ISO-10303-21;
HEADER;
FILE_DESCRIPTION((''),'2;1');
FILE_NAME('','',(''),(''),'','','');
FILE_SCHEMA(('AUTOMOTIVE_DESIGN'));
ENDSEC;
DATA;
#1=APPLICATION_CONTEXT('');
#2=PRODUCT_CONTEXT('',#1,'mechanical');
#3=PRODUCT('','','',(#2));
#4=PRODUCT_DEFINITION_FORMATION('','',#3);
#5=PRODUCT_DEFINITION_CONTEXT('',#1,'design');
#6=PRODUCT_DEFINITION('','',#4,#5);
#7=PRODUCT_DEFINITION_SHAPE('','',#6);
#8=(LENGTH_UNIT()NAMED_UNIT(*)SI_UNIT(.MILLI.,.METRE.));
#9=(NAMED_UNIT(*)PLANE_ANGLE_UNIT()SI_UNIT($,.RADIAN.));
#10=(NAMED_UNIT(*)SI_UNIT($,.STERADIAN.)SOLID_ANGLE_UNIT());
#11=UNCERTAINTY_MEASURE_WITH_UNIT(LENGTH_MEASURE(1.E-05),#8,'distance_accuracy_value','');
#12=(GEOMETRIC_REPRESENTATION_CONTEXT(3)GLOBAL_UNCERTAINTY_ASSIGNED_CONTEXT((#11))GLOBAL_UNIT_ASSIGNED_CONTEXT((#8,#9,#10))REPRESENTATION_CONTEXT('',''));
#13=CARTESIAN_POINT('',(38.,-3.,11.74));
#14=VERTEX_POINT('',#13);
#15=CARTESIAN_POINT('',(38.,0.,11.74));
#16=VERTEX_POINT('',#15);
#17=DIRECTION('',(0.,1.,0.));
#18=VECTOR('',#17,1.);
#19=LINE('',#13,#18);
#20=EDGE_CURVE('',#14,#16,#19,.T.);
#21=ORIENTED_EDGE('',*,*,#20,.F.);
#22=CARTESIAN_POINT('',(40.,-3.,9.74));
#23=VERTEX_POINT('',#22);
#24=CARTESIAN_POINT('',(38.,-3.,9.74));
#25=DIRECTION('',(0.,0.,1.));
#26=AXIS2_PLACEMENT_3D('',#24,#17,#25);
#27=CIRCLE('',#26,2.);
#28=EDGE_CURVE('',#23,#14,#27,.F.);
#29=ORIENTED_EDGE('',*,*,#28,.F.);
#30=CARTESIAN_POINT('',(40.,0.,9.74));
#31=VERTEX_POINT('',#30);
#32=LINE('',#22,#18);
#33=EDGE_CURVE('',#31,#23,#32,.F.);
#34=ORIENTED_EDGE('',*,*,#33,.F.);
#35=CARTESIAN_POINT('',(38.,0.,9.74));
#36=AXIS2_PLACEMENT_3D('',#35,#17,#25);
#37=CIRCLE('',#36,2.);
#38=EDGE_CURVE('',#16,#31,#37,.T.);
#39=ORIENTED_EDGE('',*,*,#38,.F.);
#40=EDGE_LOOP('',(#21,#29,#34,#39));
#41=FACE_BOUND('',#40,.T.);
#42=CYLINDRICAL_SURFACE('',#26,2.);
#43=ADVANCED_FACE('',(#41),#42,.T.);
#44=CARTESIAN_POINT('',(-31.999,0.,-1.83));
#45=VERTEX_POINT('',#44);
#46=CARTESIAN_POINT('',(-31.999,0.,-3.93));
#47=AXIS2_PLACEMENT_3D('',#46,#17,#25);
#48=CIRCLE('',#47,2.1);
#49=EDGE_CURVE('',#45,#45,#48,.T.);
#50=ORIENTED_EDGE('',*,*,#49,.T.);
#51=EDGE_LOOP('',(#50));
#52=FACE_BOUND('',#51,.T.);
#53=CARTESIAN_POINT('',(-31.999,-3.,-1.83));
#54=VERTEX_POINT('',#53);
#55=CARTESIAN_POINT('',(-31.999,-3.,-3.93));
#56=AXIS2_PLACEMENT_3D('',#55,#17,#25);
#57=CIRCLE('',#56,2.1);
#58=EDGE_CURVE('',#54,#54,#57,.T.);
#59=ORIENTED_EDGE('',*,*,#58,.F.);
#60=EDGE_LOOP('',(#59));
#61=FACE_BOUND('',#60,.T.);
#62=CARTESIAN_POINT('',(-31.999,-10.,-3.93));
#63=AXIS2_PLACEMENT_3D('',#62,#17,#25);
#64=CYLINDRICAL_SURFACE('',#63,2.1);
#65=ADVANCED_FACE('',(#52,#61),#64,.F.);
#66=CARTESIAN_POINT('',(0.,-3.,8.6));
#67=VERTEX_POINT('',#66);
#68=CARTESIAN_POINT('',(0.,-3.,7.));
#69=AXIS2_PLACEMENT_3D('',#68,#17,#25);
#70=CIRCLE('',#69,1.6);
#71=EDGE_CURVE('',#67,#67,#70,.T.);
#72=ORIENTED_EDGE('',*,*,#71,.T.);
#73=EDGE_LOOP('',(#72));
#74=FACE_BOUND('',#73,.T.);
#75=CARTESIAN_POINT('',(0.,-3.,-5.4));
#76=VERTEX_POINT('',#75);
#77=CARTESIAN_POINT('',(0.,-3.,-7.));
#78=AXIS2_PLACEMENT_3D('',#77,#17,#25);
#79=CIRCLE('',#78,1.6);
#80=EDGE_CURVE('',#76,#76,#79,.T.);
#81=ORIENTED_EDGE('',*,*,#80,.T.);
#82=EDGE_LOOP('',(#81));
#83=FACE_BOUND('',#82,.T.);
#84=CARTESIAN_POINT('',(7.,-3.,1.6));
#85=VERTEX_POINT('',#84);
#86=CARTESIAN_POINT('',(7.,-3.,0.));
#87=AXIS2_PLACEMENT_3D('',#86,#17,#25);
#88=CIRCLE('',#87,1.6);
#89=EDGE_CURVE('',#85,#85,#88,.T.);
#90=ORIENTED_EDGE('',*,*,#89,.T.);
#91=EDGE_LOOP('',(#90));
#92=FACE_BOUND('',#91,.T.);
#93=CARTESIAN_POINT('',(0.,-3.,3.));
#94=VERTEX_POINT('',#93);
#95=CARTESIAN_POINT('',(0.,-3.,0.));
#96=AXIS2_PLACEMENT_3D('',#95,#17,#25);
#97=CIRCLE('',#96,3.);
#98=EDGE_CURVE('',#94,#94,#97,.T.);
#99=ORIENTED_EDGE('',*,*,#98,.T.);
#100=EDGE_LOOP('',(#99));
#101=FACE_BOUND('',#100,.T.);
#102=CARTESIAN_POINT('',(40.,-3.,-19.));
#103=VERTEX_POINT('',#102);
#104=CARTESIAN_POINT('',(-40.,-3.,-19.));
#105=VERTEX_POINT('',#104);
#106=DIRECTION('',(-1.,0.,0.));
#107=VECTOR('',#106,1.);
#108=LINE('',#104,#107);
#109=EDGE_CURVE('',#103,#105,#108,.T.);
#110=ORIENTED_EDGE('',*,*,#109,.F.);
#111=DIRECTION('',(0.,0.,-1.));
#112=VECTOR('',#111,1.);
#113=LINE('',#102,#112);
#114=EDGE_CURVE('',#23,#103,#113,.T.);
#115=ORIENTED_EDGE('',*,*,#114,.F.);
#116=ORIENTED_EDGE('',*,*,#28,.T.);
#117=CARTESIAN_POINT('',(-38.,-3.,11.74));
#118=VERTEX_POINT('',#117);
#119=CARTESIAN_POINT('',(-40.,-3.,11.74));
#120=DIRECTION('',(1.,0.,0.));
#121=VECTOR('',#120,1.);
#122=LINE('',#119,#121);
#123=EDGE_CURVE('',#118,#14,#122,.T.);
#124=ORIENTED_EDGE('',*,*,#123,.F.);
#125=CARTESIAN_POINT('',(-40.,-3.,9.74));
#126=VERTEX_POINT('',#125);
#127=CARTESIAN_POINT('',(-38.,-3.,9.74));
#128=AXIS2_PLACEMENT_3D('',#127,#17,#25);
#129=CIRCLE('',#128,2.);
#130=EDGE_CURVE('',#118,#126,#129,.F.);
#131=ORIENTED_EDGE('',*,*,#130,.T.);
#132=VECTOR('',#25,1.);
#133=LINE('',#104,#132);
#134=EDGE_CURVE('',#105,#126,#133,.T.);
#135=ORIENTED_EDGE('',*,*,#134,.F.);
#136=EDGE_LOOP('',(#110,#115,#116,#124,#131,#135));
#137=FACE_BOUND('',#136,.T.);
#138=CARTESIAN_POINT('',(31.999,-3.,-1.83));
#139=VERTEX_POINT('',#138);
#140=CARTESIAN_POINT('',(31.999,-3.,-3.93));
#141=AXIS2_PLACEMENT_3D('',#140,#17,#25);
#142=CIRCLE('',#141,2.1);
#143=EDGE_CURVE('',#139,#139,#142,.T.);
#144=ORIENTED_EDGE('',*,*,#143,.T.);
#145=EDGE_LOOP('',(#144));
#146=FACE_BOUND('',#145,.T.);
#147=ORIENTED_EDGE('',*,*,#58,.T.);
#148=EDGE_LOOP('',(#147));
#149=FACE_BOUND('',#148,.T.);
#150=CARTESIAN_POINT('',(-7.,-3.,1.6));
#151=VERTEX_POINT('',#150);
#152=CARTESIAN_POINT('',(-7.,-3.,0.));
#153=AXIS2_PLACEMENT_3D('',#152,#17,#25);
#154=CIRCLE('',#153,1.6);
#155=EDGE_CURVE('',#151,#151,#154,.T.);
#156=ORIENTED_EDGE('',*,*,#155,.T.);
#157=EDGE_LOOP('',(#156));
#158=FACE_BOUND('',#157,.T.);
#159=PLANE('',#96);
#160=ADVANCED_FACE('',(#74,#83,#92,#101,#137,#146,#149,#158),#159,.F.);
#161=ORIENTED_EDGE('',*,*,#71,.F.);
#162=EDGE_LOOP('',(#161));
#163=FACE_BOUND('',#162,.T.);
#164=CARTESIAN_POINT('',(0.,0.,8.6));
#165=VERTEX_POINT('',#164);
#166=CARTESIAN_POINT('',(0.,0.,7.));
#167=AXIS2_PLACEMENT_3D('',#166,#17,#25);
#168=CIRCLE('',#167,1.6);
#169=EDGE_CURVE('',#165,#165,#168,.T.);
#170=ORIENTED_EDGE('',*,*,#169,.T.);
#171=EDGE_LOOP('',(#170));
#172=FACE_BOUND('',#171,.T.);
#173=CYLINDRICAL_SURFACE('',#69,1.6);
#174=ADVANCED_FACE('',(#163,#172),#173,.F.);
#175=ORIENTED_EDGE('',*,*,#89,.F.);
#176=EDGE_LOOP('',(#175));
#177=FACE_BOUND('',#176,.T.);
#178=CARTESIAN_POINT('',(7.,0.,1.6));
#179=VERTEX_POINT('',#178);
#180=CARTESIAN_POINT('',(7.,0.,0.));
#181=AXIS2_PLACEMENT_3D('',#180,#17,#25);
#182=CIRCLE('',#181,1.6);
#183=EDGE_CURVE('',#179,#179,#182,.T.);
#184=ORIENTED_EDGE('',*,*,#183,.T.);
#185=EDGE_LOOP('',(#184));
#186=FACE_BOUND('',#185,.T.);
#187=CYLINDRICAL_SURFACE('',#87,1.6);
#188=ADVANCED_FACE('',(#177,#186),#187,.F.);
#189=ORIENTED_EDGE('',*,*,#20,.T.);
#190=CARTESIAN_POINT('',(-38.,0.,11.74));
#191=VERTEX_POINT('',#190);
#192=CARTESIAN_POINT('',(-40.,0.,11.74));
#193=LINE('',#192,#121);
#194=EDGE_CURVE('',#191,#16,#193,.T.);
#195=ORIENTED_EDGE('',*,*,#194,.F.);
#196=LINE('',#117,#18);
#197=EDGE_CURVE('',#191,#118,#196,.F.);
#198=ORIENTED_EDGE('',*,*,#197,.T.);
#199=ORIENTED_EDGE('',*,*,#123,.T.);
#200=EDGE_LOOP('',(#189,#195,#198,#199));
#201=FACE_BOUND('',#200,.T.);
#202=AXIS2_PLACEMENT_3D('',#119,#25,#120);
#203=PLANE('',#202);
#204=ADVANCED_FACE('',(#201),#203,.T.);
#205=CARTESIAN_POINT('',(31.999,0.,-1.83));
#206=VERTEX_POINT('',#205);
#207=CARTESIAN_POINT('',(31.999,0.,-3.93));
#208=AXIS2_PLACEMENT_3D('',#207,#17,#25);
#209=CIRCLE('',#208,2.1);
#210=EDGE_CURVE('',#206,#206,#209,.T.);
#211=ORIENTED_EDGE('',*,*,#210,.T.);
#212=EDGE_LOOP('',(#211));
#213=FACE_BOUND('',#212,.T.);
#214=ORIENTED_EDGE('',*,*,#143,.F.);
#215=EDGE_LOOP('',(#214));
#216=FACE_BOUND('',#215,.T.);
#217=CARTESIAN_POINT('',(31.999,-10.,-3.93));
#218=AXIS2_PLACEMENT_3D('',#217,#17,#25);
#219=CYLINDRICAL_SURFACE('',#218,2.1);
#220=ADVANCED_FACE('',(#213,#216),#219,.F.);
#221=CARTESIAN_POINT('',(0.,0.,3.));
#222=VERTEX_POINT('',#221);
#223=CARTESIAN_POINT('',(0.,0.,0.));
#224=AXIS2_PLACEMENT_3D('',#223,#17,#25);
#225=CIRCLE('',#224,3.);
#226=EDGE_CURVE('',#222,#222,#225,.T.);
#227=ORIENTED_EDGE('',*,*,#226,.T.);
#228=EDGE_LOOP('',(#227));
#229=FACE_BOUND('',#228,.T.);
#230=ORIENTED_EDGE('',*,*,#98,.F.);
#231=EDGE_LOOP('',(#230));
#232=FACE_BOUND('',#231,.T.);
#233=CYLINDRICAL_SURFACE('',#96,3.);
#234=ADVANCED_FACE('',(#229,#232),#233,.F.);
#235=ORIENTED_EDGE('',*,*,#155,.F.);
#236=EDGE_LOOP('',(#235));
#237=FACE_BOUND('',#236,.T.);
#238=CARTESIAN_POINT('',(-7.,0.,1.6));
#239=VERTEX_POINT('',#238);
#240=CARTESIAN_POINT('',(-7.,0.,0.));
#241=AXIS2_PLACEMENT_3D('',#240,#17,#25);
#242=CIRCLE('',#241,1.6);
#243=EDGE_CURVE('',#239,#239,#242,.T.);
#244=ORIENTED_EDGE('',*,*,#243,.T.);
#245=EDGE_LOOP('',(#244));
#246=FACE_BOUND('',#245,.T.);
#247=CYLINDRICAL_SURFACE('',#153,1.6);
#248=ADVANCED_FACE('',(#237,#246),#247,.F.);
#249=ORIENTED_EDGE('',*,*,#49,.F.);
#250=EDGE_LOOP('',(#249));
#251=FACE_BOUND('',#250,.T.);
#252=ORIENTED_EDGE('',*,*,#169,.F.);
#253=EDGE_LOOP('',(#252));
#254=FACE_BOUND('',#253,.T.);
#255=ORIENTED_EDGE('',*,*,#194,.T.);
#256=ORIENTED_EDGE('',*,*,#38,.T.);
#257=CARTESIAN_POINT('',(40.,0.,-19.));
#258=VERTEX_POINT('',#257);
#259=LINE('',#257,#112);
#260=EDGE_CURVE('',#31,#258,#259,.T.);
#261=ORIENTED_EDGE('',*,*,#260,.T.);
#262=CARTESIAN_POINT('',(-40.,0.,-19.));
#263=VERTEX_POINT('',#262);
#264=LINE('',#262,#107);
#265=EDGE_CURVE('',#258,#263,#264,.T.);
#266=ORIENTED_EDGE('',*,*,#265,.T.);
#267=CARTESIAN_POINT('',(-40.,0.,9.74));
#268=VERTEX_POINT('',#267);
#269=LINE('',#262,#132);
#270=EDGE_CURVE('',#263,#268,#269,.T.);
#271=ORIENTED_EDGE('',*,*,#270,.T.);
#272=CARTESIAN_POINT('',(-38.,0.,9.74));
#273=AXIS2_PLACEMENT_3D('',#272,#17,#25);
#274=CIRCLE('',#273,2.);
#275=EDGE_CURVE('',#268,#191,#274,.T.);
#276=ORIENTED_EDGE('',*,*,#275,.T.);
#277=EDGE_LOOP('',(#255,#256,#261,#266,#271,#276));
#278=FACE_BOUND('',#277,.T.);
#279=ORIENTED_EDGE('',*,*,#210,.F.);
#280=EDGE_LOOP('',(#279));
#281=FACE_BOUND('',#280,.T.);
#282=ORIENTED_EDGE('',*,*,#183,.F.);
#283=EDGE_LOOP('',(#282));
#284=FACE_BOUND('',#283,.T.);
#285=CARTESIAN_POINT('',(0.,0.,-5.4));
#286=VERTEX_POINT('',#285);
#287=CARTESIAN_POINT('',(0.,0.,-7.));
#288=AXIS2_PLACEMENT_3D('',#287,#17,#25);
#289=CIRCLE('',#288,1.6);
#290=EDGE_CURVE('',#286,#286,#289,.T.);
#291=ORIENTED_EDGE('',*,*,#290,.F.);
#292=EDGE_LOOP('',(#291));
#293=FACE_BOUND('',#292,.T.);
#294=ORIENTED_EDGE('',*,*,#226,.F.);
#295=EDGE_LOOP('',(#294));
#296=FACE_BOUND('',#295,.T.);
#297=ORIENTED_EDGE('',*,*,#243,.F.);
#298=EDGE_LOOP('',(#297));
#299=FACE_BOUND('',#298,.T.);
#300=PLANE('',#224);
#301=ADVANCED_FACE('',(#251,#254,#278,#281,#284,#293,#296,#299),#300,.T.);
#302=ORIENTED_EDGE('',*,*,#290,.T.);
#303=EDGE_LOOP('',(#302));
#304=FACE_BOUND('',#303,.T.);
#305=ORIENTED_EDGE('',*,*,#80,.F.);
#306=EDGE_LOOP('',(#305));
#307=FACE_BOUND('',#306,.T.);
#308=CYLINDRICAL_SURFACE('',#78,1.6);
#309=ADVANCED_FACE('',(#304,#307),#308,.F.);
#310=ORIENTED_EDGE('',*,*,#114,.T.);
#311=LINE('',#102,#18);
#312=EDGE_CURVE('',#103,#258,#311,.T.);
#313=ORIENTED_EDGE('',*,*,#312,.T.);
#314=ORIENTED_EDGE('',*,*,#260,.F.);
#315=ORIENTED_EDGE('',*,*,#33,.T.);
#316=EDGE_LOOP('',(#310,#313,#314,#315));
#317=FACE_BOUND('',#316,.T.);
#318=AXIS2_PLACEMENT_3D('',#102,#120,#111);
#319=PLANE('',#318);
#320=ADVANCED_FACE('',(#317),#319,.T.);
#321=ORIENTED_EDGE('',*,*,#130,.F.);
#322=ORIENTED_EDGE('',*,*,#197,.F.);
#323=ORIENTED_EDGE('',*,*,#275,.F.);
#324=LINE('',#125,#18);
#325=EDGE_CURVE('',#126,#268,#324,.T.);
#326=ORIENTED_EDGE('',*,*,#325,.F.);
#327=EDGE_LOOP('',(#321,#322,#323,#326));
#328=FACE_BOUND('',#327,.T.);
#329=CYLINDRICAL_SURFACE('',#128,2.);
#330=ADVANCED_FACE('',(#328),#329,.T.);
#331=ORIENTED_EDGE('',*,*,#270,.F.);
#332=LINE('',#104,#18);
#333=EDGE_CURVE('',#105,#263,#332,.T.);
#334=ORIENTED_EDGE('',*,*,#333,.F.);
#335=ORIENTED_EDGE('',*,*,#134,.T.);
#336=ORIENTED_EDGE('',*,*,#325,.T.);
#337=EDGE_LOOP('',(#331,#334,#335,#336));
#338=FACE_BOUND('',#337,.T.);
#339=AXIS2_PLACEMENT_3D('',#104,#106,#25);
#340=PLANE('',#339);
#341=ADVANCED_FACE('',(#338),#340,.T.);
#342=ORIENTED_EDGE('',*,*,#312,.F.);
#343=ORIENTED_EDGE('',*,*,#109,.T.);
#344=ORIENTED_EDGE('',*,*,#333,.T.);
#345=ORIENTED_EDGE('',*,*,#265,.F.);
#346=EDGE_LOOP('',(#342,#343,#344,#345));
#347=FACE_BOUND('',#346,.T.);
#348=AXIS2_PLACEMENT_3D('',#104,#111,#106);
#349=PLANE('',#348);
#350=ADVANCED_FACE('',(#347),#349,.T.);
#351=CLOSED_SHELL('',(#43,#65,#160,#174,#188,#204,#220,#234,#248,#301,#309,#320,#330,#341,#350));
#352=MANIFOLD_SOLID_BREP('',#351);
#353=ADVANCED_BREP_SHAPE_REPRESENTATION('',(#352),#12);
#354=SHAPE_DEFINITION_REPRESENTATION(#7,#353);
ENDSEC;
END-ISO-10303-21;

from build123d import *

# Parameters (mm, degrees)
SKETCH1_W           = 80
SKETCH1_H           = 30.74
SKETCH1_R           = 3
SKETCH1_R_2         = 1.6
BOSS_EXTRUDE1_DEPTH = 3
SKETCH2_R           = 2.1
CUT_EXTRUDE1_DEPTH  = 10
FILLET1_R           = 2


with BuildPart() as part:
    # Sketch1 → Boss-Extrude1 (new body)
    with BuildSketch(Plane(origin=(0, 0, 0), x_dir=(1, 0, 0), z_dir=(0, 1, 0))):
        with Locations((0, 3.63)):
            Rectangle(SKETCH1_W, SKETCH1_H)
        Circle(SKETCH1_R, mode=Mode.SUBTRACT)
        with Locations((0, 7)):
            Circle(SKETCH1_R_2, mode=Mode.SUBTRACT)
        with Locations((-7, 0)):
            Circle(SKETCH1_R_2, mode=Mode.SUBTRACT)
        with Locations((0, -7)):
            Circle(SKETCH1_R_2, mode=Mode.SUBTRACT)
        with Locations((7, 0)):
            Circle(SKETCH1_R_2, mode=Mode.SUBTRACT)
    extrude(amount=-BOSS_EXTRUDE1_DEPTH)

    # Sketch2 → Cut-Extrude1 (cut)
    with BuildSketch(Plane(origin=(0, 0, 0), x_dir=(1, 0, 0), z_dir=(0, 1, 0))):
        with Locations((31.999, 3.93)):
            Circle(SKETCH2_R)
        with Locations((-31.999, 3.93)):
            Circle(SKETCH2_R)
    extrude(amount=-CUT_EXTRUDE1_DEPTH, mode=Mode.SUBTRACT)

    # Fillet1
    fillet1_edges = [part.edges().sort_by_distance(p)[0] for p in [
        (40, -1.5, 11.74),
        (-40, -1.5, 11.74),
    ]]
    fillet(fillet1_edges, radius=FILLET1_R)


solid = part.part
